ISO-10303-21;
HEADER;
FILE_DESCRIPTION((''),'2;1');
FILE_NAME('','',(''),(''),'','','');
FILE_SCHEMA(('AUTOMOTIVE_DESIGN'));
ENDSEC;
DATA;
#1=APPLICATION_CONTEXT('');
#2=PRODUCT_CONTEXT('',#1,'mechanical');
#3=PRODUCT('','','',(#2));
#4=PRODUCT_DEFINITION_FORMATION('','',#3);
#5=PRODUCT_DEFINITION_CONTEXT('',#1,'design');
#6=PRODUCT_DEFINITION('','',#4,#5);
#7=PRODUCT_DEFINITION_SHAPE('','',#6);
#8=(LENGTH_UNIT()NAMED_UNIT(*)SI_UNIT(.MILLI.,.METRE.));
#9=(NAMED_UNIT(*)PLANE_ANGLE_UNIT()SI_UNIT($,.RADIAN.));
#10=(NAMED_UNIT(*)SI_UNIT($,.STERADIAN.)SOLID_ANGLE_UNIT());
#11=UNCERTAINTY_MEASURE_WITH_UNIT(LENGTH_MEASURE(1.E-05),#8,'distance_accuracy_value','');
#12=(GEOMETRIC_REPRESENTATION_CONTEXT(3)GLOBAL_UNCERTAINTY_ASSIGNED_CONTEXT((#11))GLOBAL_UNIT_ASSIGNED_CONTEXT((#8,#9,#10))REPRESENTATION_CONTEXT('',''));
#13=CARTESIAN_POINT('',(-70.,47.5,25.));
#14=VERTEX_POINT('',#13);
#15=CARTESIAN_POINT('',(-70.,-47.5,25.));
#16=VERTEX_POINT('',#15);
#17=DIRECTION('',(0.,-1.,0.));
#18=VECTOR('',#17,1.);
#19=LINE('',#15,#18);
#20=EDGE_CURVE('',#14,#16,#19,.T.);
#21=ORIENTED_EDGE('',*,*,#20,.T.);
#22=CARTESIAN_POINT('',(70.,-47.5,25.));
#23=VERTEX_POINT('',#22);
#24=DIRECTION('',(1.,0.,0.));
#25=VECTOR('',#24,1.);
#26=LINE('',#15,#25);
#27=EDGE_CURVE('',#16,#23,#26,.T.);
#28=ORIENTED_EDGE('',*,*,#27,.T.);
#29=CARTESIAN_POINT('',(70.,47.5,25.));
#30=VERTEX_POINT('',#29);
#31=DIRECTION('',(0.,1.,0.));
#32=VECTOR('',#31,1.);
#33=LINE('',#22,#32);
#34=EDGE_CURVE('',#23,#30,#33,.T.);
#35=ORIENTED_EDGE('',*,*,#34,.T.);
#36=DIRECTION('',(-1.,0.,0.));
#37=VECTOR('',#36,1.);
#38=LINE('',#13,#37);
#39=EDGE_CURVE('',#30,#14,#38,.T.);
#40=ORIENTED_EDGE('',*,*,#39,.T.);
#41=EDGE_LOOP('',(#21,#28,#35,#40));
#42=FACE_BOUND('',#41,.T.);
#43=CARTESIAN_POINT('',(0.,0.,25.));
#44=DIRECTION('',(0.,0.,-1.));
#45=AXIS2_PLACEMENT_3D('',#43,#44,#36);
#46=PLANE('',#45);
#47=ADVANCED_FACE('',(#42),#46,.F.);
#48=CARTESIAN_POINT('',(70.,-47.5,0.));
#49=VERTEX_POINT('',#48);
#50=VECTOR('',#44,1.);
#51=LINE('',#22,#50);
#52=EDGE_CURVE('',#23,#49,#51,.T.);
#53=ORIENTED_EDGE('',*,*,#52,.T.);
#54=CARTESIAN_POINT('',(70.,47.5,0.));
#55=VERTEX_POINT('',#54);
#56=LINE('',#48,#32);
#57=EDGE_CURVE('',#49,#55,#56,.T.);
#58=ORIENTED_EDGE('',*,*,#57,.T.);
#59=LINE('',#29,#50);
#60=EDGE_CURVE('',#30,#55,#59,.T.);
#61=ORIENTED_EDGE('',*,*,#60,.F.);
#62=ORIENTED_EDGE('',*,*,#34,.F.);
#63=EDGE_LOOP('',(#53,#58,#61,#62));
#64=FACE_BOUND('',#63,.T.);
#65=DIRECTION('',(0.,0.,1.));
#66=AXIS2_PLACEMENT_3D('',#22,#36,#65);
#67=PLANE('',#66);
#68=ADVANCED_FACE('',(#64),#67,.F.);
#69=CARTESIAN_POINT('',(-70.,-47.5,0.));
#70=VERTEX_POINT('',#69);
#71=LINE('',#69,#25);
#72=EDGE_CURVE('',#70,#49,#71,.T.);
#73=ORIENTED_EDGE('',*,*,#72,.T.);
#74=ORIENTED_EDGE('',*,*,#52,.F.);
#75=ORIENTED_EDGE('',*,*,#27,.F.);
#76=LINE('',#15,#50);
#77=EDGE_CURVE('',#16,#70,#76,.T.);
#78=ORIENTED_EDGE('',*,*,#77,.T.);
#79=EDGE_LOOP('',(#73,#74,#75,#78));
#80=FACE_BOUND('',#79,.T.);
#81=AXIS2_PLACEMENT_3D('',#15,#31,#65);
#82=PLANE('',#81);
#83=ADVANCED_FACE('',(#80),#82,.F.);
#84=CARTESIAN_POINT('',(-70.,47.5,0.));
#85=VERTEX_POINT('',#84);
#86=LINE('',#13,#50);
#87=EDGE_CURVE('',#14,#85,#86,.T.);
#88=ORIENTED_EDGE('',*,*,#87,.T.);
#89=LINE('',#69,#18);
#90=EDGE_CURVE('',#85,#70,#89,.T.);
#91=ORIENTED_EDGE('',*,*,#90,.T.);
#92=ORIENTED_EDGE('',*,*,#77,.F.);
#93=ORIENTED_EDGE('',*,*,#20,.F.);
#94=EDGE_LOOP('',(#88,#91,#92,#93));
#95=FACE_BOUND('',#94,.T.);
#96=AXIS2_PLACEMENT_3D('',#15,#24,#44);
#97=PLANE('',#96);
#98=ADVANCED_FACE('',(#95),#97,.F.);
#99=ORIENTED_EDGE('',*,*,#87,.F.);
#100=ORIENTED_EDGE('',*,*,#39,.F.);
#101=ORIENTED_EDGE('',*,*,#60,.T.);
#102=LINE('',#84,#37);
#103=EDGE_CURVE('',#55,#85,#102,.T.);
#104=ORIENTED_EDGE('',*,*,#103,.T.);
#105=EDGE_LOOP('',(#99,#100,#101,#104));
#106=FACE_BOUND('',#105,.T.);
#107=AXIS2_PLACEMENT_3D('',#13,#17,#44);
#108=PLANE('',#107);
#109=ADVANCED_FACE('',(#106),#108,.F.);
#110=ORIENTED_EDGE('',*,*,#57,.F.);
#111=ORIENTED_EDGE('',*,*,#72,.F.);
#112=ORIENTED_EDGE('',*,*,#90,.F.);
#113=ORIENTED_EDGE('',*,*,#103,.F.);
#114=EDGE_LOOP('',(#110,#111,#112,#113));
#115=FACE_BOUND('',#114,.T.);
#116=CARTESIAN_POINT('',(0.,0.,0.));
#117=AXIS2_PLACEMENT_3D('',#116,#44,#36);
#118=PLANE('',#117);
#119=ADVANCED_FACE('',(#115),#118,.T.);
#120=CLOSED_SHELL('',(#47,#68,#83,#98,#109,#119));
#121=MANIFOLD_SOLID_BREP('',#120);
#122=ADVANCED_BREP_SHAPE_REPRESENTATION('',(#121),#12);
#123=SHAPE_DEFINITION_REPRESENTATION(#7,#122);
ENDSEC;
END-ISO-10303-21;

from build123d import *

# Parameters (mm, degrees)
SKETCH_1_W      = 140
SKETCH_1_H      = 95
EXTRUDE_1_DEPTH = 25


with BuildPart() as part:
    # 草图1 → 凸台-拉伸1 (new body)
    with BuildSketch(Plane.XY):
        Rectangle(SKETCH_1_W, SKETCH_1_H)
    extrude(amount=EXTRUDE_1_DEPTH)


solid = part.part
